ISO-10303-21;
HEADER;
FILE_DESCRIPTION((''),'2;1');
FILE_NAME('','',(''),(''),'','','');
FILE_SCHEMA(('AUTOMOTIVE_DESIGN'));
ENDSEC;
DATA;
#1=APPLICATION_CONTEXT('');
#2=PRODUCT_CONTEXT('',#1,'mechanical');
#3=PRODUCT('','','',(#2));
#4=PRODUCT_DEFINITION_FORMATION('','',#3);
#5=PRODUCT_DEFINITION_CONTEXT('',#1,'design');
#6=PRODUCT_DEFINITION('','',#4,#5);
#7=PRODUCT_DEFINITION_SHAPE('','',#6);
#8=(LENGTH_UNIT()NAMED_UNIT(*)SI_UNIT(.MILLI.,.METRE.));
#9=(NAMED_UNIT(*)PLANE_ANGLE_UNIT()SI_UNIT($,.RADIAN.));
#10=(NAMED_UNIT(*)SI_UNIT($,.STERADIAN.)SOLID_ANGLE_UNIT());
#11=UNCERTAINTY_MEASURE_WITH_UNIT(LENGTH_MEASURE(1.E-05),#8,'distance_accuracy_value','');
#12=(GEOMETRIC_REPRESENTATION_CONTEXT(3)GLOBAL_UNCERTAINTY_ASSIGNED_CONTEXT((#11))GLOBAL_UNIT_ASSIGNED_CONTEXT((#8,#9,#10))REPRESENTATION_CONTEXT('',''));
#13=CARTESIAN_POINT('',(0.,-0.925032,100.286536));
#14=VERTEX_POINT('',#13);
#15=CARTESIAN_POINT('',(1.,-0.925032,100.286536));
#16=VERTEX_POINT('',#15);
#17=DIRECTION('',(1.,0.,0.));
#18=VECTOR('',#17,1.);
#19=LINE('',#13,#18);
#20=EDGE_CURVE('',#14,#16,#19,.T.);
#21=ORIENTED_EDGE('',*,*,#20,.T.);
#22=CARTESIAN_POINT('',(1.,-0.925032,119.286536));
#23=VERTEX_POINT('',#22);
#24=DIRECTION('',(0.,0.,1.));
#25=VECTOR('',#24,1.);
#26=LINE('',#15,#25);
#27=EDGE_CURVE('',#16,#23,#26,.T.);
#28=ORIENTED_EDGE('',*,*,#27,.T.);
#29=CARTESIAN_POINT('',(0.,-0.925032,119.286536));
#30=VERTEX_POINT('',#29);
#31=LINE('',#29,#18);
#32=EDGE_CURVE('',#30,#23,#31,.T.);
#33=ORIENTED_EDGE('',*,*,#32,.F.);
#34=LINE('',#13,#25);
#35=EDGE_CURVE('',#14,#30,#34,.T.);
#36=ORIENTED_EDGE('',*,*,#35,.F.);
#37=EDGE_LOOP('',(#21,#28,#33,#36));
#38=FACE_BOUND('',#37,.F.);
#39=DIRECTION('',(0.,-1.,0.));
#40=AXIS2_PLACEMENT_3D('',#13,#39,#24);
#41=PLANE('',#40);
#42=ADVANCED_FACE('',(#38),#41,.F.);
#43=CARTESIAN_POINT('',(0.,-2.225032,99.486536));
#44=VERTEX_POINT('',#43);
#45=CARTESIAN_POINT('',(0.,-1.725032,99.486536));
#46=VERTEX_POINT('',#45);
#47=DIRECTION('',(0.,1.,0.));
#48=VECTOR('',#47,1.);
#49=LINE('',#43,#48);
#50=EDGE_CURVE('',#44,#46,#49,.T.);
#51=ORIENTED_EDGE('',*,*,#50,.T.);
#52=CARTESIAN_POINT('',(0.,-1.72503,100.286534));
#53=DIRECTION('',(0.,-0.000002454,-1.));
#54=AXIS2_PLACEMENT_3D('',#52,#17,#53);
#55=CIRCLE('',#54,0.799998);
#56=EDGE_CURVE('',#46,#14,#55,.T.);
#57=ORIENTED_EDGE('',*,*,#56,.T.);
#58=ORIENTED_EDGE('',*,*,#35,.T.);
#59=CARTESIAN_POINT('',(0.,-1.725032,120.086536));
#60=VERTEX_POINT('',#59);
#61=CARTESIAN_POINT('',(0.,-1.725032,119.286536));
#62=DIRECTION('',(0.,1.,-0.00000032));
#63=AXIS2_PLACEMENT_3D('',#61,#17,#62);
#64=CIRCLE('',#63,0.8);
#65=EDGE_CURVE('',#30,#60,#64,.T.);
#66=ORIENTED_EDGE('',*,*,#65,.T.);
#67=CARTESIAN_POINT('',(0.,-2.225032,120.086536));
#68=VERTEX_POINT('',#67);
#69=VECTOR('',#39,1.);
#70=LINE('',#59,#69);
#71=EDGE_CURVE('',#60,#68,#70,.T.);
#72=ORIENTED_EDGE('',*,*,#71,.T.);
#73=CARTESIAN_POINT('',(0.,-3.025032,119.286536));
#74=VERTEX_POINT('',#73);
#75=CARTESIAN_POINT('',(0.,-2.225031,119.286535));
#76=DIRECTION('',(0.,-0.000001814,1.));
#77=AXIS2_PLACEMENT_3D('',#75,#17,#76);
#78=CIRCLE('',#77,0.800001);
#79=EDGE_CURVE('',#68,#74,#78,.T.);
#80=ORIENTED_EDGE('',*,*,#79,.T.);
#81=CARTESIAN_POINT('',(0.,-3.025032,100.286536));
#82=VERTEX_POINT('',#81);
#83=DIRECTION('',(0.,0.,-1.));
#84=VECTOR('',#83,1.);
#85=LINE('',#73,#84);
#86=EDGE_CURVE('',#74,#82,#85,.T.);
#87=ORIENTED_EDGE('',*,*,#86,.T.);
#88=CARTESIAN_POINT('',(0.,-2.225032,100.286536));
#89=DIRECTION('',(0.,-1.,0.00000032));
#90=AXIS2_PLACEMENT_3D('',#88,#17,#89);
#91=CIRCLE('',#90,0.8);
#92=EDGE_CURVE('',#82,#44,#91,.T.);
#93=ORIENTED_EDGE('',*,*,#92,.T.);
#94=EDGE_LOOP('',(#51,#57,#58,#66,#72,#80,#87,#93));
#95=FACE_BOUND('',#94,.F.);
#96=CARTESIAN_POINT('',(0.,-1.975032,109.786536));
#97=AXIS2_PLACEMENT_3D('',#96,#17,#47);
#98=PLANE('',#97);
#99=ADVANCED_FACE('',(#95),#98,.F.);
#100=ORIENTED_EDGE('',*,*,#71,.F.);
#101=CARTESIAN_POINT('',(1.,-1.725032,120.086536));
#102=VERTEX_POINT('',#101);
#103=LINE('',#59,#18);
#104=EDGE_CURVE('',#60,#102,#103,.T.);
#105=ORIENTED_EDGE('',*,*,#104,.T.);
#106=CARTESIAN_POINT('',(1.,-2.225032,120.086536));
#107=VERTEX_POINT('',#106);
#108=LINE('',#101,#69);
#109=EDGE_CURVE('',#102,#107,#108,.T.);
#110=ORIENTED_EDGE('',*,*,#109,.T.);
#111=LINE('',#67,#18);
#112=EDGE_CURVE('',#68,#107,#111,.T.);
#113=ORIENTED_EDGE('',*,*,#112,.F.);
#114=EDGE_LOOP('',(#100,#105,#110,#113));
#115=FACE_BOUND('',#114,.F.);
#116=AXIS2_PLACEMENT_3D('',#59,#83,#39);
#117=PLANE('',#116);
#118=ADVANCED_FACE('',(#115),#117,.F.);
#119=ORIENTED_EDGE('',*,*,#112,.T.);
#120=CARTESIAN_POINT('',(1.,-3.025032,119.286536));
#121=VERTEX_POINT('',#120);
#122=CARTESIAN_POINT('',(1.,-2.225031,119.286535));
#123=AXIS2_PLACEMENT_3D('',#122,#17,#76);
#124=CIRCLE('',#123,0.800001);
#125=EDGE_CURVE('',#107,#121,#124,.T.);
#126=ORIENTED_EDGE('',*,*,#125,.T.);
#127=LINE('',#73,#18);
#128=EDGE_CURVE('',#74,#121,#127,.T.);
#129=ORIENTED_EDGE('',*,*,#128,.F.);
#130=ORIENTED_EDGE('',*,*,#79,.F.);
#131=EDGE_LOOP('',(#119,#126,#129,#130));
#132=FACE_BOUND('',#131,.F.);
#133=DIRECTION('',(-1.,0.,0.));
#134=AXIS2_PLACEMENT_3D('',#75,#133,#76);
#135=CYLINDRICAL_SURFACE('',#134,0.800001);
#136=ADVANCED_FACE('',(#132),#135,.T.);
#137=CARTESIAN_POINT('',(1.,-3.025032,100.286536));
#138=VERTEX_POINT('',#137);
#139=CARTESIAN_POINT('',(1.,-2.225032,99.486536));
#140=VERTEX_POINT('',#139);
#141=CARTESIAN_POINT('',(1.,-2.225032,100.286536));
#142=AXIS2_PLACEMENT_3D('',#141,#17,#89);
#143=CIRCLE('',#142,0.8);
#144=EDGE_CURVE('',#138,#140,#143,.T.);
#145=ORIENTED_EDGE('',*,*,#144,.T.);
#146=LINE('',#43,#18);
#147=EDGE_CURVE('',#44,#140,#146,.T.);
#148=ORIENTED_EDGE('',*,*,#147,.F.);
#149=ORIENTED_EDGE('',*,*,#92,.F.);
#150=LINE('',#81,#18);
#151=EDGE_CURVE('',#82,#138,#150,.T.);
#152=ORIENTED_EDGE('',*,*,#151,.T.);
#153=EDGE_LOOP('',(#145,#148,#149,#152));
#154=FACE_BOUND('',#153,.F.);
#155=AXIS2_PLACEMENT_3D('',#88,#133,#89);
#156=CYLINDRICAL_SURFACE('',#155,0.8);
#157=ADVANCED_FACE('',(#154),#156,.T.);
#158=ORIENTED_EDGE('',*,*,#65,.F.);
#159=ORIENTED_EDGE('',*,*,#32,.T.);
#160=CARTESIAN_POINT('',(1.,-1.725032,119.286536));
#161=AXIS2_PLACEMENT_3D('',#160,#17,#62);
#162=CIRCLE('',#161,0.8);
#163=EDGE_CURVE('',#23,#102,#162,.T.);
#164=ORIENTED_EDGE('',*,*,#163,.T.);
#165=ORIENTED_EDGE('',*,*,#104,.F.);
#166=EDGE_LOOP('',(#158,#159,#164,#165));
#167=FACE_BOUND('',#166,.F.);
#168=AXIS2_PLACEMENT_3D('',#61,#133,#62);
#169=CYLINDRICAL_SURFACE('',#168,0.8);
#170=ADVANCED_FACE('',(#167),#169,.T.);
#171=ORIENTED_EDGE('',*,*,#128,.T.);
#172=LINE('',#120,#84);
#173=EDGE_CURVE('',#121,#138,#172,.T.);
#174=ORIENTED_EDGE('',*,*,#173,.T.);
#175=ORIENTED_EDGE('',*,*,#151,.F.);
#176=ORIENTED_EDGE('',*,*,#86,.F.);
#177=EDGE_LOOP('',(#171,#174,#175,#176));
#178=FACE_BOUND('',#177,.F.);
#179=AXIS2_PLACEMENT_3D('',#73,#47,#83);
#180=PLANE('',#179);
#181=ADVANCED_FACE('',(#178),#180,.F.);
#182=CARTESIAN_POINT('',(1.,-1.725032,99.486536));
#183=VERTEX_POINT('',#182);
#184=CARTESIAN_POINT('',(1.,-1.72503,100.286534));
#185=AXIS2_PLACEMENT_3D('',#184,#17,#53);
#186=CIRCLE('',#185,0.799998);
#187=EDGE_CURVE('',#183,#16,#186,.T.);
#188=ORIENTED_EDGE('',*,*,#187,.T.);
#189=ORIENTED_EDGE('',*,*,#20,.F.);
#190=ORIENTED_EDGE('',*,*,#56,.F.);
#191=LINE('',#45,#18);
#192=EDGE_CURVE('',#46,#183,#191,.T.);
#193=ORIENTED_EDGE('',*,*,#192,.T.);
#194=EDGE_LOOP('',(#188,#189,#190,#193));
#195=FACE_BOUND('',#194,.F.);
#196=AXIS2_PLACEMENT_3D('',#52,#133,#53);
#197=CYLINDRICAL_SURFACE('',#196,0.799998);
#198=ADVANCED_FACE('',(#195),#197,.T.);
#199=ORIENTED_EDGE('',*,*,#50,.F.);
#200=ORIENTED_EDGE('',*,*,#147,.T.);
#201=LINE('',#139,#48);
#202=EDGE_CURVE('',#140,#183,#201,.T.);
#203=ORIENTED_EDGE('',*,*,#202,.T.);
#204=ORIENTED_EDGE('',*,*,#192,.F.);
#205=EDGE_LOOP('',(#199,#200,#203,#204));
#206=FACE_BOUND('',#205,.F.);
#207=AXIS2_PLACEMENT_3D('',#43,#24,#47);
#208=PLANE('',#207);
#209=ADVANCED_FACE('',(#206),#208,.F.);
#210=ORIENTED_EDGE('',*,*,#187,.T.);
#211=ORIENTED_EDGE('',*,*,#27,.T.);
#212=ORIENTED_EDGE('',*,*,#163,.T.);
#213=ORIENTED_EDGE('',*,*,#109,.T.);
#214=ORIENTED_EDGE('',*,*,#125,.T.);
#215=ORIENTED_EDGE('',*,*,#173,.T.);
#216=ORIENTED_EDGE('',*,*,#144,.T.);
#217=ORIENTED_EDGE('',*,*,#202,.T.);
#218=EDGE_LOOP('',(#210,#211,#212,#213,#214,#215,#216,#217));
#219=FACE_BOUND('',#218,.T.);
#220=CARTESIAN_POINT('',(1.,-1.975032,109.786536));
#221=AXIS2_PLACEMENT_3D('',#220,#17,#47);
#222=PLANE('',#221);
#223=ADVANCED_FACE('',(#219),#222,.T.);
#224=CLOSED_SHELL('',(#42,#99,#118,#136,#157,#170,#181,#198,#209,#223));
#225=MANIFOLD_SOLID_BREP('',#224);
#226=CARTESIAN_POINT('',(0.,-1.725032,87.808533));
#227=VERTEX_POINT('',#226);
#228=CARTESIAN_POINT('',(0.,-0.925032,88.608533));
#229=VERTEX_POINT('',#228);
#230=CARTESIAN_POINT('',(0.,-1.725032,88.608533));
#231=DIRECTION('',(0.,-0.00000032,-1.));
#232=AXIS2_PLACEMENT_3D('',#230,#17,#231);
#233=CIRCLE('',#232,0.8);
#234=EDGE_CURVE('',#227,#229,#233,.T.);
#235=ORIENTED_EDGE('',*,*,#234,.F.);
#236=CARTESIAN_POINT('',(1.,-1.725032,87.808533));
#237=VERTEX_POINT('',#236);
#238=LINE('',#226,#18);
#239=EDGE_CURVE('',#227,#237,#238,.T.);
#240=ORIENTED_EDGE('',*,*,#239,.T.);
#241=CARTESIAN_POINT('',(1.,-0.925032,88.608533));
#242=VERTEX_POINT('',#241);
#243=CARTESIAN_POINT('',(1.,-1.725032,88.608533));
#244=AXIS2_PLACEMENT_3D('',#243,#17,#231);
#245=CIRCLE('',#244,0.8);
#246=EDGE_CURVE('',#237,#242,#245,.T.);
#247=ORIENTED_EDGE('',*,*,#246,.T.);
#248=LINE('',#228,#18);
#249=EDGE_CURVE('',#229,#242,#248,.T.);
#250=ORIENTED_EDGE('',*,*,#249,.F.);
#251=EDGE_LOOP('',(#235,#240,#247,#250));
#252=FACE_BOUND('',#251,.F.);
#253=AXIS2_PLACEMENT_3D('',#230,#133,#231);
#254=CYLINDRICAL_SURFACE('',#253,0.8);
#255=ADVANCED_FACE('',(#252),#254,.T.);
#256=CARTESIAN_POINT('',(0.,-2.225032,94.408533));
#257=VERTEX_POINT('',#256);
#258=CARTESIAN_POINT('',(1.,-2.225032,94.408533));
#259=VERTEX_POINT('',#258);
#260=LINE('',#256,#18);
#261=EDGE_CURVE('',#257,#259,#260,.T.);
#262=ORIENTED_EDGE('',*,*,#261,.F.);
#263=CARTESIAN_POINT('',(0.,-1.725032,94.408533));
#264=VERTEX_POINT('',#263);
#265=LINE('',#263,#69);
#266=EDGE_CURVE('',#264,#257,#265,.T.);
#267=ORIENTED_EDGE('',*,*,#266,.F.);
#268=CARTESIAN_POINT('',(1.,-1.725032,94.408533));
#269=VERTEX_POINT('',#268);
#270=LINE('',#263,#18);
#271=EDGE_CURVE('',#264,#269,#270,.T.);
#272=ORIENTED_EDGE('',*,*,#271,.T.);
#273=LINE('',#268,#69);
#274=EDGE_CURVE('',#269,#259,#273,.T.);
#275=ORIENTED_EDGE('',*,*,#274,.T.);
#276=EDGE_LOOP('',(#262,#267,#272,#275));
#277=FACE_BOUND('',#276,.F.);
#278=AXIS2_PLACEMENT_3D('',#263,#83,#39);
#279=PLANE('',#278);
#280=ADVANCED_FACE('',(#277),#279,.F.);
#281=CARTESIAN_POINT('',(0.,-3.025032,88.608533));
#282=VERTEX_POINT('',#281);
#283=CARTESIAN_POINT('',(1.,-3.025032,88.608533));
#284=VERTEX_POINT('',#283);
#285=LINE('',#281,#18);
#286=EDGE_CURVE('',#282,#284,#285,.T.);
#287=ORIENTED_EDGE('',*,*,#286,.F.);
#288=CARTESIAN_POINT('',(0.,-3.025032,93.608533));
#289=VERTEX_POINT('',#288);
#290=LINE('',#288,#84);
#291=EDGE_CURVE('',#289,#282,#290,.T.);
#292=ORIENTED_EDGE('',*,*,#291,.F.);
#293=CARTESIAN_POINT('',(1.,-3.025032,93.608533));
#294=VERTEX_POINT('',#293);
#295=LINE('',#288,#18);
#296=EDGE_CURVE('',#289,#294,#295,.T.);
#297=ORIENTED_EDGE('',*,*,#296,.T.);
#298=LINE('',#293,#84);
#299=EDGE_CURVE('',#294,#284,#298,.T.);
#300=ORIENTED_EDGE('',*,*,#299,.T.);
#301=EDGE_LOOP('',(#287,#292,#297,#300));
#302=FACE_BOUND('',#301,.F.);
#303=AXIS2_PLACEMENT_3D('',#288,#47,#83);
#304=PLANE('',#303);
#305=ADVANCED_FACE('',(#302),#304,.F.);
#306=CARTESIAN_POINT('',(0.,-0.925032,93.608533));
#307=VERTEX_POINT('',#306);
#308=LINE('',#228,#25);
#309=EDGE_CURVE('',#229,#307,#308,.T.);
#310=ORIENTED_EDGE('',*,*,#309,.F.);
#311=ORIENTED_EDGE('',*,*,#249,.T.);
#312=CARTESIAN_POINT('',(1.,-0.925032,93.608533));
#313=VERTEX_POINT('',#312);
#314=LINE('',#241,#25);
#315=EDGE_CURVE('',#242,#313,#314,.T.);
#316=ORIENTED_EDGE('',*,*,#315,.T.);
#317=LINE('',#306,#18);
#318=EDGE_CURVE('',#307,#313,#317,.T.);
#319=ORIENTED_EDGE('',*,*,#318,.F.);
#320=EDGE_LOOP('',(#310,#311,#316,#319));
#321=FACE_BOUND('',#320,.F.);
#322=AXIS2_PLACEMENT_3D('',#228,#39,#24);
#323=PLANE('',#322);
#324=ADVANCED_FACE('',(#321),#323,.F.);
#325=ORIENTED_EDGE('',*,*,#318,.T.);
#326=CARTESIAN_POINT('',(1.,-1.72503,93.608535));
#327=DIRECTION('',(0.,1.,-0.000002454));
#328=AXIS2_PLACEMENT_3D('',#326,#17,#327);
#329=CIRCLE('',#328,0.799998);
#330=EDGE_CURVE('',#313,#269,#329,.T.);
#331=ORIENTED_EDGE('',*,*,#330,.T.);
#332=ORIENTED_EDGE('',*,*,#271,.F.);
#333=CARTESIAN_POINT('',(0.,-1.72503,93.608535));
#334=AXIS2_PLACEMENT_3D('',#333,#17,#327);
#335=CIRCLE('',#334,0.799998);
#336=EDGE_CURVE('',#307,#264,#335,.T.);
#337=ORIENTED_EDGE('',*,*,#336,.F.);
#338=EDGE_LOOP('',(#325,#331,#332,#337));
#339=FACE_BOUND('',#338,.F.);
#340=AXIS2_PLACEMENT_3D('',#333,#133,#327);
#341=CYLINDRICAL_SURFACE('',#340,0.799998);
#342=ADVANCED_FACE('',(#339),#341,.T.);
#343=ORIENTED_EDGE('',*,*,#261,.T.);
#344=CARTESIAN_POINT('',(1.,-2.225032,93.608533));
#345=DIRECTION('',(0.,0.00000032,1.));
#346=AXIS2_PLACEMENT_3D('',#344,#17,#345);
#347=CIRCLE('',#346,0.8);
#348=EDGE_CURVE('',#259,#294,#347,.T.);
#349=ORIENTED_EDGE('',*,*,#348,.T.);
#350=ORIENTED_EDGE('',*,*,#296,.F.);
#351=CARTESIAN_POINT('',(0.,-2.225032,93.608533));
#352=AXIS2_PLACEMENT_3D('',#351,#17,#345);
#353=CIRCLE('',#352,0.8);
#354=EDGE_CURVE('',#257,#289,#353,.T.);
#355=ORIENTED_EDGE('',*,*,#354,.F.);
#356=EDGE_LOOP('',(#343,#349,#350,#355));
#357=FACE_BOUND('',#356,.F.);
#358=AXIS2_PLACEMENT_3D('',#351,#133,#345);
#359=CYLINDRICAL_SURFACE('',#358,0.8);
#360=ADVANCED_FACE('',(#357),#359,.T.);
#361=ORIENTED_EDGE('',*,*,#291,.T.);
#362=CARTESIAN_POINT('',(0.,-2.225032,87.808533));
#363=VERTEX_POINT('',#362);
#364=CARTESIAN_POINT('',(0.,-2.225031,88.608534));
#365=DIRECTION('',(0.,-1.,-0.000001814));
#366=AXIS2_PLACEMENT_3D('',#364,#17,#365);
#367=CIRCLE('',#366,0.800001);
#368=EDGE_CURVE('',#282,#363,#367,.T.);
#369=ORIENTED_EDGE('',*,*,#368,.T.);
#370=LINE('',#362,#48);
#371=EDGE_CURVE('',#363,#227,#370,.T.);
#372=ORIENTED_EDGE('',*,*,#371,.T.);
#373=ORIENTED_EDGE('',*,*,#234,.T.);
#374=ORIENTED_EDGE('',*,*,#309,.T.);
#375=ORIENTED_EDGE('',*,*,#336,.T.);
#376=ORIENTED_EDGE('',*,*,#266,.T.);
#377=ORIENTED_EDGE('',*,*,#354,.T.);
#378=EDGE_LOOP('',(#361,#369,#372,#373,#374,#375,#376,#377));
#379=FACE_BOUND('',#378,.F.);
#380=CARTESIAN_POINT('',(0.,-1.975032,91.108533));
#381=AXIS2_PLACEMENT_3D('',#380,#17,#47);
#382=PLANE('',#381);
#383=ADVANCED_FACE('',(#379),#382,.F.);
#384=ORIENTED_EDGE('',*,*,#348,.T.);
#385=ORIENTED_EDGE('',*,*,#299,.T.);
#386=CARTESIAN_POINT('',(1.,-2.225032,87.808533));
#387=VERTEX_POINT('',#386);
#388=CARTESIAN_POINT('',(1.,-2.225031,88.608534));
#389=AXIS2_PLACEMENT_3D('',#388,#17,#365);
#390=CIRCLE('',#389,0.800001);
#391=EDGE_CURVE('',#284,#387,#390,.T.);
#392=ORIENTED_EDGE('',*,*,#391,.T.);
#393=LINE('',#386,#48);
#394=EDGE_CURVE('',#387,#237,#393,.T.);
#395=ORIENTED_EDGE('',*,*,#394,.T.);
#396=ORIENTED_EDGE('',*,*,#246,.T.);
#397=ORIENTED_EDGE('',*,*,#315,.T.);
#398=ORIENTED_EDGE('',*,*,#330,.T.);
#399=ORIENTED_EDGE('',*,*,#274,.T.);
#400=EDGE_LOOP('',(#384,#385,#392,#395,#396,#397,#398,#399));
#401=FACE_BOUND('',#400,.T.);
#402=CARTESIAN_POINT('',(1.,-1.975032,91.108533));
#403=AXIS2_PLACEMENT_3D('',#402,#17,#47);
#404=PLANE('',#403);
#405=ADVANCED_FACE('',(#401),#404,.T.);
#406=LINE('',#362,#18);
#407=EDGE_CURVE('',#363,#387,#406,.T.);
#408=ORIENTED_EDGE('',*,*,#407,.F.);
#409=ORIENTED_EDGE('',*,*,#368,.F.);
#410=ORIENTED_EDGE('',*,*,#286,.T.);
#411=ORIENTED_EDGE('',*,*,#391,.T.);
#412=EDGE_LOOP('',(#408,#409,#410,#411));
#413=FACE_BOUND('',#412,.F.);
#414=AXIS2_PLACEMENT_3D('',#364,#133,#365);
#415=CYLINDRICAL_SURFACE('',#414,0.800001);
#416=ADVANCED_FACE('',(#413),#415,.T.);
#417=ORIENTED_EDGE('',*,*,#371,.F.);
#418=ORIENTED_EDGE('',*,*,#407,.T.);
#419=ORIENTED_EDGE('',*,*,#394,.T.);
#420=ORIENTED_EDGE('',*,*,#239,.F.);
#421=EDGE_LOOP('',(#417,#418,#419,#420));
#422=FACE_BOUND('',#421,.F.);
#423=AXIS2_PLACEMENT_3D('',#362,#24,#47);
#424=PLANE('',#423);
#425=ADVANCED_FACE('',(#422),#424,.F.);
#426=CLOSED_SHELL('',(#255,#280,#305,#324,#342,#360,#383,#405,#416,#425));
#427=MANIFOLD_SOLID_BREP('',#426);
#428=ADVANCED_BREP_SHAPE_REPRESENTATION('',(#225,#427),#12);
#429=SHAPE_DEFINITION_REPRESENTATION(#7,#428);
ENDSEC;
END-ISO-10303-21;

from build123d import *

# Parameters (mm, degrees)
F1_DEPTH = 1


with BuildPart() as f1:
    # F0 (on Right) → F1 (new body)
    with BuildSketch(Plane.YZ):
        with BuildLine():
            Line((-1.725032, 120.086536), (-2.225032, 120.086536))
            ThreePointArc((-2.225032, 120.086536), (-2.790717, 119.852221), (-3.025032, 119.286536))
            Line((-3.025032, 119.286536), (-3.025032, 100.286536))
            ThreePointArc((-3.025032, 100.286536), (-2.790717, 99.72085), (-2.225032, 99.486536))
            Line((-2.225032, 99.486536), (-1.725032, 99.486536))
            ThreePointArc((-1.725032, 99.486536), (-1.159346, 99.72085), (-0.925032, 100.286536))
            Line((-0.925032, 100.286536), (-0.925032, 119.286536))
            ThreePointArc((-0.925032, 119.286536), (-1.159346, 119.852221), (-1.725032, 120.086536))
        make_face()
        with BuildLine():
            Line((-1.725032, 94.408533), (-2.225032, 94.408533))
            ThreePointArc((-2.225032, 94.408533), (-2.790717, 94.174219), (-3.025032, 93.608533))
            Line((-3.025032, 93.608533), (-3.025032, 88.608533))
            ThreePointArc((-3.025032, 88.608533), (-2.790717, 88.042848), (-2.225032, 87.808533))
            Line((-2.225032, 87.808533), (-1.725032, 87.808533))
            ThreePointArc((-1.725032, 87.808533), (-1.159346, 88.042848), (-0.925032, 88.608533))
            Line((-0.925032, 88.608533), (-0.925032, 93.608533))
            ThreePointArc((-0.925032, 93.608533), (-1.159346, 94.174219), (-1.725032, 94.408533))
        make_face()
    extrude(amount=F1_DEPTH)


solid = f1.part
